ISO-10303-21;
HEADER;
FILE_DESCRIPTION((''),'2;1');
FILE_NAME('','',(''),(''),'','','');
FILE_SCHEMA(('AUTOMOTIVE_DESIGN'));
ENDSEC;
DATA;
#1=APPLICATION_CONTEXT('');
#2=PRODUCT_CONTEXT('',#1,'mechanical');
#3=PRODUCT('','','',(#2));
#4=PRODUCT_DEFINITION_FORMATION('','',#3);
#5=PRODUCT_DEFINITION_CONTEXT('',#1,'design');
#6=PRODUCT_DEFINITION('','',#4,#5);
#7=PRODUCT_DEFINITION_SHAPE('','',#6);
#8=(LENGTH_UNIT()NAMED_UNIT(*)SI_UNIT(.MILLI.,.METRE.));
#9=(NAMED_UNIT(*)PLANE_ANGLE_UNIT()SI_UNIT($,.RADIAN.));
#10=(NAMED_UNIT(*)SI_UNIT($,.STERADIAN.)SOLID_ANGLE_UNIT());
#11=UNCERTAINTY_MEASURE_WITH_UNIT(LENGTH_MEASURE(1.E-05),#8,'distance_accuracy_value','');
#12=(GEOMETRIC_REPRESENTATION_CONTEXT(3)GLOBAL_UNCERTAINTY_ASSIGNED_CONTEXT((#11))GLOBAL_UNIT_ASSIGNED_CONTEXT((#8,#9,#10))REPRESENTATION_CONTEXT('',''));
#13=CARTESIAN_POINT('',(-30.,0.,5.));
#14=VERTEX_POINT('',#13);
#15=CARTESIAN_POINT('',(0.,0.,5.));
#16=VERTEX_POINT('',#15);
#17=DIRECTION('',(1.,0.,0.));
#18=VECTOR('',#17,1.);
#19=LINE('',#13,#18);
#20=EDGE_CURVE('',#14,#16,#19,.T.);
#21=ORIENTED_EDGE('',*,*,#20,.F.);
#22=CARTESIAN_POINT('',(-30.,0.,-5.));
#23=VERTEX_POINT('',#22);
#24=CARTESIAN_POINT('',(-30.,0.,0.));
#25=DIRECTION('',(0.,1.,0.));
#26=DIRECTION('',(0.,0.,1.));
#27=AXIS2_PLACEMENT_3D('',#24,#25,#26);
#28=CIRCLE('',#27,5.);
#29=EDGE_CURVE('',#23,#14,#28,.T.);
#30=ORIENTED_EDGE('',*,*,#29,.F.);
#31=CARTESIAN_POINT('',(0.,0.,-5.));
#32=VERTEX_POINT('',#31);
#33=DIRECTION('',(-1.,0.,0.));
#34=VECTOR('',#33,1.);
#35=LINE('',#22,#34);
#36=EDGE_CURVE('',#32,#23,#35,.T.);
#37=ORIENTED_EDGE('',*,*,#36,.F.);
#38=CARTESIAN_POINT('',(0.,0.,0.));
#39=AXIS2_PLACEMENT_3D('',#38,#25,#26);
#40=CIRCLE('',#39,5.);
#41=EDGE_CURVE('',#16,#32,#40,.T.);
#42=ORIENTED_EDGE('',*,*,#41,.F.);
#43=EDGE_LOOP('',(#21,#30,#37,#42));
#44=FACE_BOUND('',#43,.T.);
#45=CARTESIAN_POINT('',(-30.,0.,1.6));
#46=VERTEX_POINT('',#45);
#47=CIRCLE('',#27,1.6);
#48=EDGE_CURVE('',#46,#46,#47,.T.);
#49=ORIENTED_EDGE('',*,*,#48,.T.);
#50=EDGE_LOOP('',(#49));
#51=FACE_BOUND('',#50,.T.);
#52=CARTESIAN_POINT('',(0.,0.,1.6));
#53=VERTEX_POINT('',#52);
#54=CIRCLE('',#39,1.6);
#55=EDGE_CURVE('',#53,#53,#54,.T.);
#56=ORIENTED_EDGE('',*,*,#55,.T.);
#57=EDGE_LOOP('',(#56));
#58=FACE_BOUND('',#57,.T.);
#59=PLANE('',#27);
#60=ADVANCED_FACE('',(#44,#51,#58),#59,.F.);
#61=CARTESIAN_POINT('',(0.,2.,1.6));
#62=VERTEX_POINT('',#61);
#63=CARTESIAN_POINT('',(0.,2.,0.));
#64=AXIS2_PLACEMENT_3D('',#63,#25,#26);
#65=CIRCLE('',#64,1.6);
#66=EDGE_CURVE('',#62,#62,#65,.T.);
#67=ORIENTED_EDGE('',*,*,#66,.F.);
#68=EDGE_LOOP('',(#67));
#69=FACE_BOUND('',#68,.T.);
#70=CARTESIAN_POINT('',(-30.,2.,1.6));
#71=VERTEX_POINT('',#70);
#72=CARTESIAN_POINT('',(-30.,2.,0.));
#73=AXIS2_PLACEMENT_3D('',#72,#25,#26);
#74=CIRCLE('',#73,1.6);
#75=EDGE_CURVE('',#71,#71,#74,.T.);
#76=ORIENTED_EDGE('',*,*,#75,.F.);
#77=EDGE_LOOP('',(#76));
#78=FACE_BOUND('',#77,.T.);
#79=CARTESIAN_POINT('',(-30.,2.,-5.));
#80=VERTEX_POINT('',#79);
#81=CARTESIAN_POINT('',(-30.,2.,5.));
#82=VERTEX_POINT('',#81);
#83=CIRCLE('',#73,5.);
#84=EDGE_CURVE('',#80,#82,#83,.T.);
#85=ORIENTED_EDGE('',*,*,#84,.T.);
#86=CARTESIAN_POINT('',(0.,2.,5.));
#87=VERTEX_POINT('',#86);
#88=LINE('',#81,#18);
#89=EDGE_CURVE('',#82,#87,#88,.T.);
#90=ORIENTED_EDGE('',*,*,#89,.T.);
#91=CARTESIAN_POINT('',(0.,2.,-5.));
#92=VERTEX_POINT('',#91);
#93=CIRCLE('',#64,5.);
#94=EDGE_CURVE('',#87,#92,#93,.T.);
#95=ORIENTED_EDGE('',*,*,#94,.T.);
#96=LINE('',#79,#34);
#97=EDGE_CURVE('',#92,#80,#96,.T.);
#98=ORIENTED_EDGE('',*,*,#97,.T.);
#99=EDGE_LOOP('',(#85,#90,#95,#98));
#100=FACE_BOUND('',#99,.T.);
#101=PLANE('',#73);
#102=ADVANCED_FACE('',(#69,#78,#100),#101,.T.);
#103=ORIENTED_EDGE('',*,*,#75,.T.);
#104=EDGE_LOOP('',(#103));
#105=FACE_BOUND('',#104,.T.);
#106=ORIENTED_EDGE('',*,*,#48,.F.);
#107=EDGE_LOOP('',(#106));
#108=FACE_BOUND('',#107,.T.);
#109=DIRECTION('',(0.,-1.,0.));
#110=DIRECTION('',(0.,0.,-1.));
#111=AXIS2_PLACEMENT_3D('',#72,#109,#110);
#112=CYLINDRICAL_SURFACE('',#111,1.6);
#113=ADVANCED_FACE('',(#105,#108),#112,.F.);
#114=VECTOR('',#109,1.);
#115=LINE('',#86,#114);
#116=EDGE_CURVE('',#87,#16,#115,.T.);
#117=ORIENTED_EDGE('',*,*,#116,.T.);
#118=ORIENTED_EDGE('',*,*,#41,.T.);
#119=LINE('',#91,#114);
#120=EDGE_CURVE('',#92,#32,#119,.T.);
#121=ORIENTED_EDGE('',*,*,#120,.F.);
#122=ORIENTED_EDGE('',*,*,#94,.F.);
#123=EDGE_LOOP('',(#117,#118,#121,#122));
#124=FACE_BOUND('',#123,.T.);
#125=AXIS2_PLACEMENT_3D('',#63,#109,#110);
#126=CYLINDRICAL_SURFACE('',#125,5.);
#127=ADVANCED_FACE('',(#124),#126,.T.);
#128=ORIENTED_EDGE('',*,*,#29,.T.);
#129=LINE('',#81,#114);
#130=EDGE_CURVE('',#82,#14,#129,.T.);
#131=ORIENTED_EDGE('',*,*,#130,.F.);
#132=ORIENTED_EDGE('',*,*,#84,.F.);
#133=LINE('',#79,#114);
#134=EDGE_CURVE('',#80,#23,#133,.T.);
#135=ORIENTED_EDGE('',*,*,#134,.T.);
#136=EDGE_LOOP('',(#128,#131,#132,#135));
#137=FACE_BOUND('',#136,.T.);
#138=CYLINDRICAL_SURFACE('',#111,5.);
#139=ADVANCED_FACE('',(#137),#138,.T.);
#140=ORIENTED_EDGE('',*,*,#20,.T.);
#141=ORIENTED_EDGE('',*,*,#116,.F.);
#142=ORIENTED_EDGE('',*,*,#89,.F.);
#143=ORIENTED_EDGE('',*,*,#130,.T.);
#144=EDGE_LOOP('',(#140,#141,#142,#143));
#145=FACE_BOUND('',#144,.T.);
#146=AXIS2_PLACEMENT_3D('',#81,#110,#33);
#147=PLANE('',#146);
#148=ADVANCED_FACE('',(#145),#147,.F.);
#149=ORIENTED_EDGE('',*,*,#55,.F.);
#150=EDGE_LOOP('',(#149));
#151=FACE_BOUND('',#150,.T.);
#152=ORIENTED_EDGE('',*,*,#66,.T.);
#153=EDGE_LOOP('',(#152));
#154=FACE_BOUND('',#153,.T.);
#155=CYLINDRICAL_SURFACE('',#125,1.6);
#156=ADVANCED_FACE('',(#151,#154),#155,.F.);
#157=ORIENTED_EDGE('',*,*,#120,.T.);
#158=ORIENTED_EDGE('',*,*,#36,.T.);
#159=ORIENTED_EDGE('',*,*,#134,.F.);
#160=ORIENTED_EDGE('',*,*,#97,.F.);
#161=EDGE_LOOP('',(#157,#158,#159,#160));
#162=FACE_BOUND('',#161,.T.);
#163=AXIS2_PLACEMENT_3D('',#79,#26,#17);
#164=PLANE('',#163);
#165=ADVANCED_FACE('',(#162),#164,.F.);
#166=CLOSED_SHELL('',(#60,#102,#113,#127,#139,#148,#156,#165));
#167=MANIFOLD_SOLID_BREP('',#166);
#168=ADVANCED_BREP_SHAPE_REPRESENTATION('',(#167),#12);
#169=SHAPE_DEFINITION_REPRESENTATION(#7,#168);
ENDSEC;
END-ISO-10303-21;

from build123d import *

# Parameters (mm, degrees)
SKETCH_1_R      = 1.6
EXTRUDE_1_DEPTH = 2


with BuildPart() as part:
    # 草图1 → 凸台-拉伸1 (new body)
    with BuildSketch(Plane(origin=(0, 0, 0), x_dir=(1, 0, 0), z_dir=(0, 1, 0))):
        with BuildLine():
            Line((-30, 5), (0, 5))
            ThreePointArc((0, 5), (5, 0), (0, -5))
            Line((0, -5), (-30, -5))
            ThreePointArc((-30, -5), (-35, 0), (-30, 5))
        make_face()
        with Locations((-30, 0)):
            Circle(SKETCH_1_R, mode=Mode.SUBTRACT)
        Circle(SKETCH_1_R, mode=Mode.SUBTRACT)
    extrude(amount=EXTRUDE_1_DEPTH)


solid = part.part
